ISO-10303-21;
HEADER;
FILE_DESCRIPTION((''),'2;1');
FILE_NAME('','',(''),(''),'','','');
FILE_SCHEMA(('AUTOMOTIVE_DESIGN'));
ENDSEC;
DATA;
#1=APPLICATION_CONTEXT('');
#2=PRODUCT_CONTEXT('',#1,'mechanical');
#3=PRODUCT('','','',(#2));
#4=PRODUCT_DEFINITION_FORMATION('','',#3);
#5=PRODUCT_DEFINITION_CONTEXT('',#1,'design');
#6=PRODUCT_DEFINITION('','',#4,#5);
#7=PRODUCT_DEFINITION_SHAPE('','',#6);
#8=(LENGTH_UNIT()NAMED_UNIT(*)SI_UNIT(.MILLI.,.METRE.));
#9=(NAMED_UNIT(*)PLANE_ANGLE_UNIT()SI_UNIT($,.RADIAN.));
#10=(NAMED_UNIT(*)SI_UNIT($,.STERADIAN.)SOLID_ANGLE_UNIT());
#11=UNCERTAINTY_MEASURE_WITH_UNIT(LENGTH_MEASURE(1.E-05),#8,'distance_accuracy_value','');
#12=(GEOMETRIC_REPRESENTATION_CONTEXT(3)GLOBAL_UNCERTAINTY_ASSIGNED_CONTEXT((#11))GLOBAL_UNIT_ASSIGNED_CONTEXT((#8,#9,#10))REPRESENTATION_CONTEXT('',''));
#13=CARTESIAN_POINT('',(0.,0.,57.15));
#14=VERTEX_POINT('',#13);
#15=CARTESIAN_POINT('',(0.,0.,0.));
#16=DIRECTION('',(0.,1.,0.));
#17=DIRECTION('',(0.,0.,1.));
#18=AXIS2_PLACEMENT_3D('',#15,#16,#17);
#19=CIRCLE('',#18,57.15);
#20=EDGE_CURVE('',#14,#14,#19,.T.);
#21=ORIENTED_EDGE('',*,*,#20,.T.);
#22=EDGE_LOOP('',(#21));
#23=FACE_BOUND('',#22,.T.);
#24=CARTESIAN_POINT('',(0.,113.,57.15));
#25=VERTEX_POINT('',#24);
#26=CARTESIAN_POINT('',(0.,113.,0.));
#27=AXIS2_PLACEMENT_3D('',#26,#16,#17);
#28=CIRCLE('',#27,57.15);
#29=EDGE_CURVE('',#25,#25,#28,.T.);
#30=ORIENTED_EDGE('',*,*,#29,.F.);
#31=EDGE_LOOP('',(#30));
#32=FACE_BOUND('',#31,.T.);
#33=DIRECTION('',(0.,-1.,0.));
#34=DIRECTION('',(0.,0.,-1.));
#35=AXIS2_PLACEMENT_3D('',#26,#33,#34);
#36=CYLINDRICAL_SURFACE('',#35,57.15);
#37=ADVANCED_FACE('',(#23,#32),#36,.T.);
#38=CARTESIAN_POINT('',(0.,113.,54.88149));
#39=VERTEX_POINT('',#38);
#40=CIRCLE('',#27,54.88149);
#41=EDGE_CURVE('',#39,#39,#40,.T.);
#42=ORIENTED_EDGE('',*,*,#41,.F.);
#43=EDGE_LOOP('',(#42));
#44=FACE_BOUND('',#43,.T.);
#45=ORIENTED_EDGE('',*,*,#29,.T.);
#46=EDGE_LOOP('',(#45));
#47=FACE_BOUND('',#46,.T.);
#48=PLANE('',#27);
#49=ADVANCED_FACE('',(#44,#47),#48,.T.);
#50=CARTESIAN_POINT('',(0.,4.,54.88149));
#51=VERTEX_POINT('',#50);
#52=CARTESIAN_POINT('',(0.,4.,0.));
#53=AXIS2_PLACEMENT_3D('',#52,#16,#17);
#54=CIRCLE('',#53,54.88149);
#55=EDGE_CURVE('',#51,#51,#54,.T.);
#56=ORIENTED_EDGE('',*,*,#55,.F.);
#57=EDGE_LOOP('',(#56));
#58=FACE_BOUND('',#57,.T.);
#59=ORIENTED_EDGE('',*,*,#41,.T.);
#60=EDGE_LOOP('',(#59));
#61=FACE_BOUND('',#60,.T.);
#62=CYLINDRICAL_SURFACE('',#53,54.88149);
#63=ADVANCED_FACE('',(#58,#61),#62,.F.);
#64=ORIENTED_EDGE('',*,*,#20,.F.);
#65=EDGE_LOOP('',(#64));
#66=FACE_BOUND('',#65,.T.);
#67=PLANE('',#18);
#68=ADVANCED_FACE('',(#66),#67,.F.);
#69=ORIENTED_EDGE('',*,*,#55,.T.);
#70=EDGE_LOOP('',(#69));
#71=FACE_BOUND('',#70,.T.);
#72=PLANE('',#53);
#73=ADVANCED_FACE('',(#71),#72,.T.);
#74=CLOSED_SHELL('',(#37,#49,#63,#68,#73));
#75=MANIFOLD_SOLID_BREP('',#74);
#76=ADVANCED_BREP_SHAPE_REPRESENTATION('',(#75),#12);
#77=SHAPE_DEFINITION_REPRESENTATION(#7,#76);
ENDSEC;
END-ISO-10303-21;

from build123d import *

# Parameters (mm, degrees)
SKETCH2_R           = 57.15
BOSS_EXTRUDE3_DEPTH = 113
SKETCH8_R           = 54.881490199
CUT_EXTRUDE1_DEPTH  = 109


with BuildPart() as part:
    # Sketch2 → Boss-Extrude3 (new body)
    with BuildSketch(Plane(origin=(0, 0, 0), x_dir=(1, 0, 0), z_dir=(0, 1, 0))):
        Circle(SKETCH2_R)
    extrude(amount=BOSS_EXTRUDE3_DEPTH)

    # Sketch8 → Cut-Extrude1 (cut)
    with BuildSketch(Plane(origin=(0, 113, 0), x_dir=(1, 0, 0), z_dir=(0, 1, 0))):
        Circle(SKETCH8_R)
    extrude(amount=-CUT_EXTRUDE1_DEPTH, mode=Mode.SUBTRACT)


solid = part.part
